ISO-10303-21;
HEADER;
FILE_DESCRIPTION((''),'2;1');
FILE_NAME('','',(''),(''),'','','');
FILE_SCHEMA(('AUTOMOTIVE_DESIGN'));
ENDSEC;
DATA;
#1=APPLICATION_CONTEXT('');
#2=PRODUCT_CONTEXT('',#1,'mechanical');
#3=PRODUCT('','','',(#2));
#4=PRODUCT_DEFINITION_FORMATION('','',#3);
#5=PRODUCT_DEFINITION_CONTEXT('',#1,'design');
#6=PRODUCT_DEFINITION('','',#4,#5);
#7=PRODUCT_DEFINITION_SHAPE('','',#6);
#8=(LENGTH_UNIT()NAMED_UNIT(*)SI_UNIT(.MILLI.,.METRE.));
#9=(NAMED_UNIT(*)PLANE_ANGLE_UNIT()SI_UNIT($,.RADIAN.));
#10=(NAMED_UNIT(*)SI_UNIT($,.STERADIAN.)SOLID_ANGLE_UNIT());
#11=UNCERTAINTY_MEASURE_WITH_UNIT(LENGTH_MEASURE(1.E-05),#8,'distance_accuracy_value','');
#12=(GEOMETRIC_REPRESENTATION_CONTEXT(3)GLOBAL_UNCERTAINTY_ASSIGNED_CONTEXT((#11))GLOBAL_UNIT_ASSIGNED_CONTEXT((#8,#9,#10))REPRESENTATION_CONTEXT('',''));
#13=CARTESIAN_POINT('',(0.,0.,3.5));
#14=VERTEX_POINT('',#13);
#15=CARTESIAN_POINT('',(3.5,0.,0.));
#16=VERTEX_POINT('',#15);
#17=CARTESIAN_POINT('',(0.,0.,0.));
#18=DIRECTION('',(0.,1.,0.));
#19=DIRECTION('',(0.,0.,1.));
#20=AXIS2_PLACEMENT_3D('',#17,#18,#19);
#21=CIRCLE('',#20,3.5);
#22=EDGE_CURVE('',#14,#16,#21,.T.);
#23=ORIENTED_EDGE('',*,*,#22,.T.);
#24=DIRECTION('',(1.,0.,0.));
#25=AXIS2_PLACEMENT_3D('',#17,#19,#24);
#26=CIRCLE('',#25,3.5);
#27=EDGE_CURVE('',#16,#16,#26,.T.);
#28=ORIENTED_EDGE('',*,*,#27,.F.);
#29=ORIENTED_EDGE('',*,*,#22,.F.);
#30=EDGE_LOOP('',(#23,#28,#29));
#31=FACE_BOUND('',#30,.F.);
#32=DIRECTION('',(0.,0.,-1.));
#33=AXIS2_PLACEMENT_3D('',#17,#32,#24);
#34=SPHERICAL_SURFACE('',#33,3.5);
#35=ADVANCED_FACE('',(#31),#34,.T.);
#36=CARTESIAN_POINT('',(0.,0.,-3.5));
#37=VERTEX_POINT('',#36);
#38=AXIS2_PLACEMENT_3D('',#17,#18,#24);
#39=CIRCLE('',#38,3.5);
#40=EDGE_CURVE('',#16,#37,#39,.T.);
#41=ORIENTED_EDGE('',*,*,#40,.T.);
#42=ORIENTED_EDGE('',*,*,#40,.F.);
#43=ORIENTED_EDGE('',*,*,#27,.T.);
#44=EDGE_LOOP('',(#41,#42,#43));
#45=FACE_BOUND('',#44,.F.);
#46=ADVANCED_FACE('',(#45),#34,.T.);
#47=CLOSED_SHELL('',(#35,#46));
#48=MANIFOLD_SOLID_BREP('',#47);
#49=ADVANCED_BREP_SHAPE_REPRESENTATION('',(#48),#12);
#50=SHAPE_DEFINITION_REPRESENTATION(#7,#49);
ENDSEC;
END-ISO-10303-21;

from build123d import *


with BuildPart() as part:
    # 草图1 one side → 旋转2 (revolve)
    with BuildSketch(Plane(origin=(0, 0, 0), x_dir=(1, 0, 0), z_dir=(0, 1, 0))):
        with BuildLine():
            ThreePointArc((0, -3.5), (2.474873734, -2.474873734), (3.5, 0))
            ThreePointArc((3.5, 0), (2.474873734, 2.474873734), (0, 3.5))
            Line((0, 3.5), (0, -3.5))
        make_face()
    revolve(axis=Axis((0, 0, -6.936103092), (0, 0, 1)))


solid = part.part
